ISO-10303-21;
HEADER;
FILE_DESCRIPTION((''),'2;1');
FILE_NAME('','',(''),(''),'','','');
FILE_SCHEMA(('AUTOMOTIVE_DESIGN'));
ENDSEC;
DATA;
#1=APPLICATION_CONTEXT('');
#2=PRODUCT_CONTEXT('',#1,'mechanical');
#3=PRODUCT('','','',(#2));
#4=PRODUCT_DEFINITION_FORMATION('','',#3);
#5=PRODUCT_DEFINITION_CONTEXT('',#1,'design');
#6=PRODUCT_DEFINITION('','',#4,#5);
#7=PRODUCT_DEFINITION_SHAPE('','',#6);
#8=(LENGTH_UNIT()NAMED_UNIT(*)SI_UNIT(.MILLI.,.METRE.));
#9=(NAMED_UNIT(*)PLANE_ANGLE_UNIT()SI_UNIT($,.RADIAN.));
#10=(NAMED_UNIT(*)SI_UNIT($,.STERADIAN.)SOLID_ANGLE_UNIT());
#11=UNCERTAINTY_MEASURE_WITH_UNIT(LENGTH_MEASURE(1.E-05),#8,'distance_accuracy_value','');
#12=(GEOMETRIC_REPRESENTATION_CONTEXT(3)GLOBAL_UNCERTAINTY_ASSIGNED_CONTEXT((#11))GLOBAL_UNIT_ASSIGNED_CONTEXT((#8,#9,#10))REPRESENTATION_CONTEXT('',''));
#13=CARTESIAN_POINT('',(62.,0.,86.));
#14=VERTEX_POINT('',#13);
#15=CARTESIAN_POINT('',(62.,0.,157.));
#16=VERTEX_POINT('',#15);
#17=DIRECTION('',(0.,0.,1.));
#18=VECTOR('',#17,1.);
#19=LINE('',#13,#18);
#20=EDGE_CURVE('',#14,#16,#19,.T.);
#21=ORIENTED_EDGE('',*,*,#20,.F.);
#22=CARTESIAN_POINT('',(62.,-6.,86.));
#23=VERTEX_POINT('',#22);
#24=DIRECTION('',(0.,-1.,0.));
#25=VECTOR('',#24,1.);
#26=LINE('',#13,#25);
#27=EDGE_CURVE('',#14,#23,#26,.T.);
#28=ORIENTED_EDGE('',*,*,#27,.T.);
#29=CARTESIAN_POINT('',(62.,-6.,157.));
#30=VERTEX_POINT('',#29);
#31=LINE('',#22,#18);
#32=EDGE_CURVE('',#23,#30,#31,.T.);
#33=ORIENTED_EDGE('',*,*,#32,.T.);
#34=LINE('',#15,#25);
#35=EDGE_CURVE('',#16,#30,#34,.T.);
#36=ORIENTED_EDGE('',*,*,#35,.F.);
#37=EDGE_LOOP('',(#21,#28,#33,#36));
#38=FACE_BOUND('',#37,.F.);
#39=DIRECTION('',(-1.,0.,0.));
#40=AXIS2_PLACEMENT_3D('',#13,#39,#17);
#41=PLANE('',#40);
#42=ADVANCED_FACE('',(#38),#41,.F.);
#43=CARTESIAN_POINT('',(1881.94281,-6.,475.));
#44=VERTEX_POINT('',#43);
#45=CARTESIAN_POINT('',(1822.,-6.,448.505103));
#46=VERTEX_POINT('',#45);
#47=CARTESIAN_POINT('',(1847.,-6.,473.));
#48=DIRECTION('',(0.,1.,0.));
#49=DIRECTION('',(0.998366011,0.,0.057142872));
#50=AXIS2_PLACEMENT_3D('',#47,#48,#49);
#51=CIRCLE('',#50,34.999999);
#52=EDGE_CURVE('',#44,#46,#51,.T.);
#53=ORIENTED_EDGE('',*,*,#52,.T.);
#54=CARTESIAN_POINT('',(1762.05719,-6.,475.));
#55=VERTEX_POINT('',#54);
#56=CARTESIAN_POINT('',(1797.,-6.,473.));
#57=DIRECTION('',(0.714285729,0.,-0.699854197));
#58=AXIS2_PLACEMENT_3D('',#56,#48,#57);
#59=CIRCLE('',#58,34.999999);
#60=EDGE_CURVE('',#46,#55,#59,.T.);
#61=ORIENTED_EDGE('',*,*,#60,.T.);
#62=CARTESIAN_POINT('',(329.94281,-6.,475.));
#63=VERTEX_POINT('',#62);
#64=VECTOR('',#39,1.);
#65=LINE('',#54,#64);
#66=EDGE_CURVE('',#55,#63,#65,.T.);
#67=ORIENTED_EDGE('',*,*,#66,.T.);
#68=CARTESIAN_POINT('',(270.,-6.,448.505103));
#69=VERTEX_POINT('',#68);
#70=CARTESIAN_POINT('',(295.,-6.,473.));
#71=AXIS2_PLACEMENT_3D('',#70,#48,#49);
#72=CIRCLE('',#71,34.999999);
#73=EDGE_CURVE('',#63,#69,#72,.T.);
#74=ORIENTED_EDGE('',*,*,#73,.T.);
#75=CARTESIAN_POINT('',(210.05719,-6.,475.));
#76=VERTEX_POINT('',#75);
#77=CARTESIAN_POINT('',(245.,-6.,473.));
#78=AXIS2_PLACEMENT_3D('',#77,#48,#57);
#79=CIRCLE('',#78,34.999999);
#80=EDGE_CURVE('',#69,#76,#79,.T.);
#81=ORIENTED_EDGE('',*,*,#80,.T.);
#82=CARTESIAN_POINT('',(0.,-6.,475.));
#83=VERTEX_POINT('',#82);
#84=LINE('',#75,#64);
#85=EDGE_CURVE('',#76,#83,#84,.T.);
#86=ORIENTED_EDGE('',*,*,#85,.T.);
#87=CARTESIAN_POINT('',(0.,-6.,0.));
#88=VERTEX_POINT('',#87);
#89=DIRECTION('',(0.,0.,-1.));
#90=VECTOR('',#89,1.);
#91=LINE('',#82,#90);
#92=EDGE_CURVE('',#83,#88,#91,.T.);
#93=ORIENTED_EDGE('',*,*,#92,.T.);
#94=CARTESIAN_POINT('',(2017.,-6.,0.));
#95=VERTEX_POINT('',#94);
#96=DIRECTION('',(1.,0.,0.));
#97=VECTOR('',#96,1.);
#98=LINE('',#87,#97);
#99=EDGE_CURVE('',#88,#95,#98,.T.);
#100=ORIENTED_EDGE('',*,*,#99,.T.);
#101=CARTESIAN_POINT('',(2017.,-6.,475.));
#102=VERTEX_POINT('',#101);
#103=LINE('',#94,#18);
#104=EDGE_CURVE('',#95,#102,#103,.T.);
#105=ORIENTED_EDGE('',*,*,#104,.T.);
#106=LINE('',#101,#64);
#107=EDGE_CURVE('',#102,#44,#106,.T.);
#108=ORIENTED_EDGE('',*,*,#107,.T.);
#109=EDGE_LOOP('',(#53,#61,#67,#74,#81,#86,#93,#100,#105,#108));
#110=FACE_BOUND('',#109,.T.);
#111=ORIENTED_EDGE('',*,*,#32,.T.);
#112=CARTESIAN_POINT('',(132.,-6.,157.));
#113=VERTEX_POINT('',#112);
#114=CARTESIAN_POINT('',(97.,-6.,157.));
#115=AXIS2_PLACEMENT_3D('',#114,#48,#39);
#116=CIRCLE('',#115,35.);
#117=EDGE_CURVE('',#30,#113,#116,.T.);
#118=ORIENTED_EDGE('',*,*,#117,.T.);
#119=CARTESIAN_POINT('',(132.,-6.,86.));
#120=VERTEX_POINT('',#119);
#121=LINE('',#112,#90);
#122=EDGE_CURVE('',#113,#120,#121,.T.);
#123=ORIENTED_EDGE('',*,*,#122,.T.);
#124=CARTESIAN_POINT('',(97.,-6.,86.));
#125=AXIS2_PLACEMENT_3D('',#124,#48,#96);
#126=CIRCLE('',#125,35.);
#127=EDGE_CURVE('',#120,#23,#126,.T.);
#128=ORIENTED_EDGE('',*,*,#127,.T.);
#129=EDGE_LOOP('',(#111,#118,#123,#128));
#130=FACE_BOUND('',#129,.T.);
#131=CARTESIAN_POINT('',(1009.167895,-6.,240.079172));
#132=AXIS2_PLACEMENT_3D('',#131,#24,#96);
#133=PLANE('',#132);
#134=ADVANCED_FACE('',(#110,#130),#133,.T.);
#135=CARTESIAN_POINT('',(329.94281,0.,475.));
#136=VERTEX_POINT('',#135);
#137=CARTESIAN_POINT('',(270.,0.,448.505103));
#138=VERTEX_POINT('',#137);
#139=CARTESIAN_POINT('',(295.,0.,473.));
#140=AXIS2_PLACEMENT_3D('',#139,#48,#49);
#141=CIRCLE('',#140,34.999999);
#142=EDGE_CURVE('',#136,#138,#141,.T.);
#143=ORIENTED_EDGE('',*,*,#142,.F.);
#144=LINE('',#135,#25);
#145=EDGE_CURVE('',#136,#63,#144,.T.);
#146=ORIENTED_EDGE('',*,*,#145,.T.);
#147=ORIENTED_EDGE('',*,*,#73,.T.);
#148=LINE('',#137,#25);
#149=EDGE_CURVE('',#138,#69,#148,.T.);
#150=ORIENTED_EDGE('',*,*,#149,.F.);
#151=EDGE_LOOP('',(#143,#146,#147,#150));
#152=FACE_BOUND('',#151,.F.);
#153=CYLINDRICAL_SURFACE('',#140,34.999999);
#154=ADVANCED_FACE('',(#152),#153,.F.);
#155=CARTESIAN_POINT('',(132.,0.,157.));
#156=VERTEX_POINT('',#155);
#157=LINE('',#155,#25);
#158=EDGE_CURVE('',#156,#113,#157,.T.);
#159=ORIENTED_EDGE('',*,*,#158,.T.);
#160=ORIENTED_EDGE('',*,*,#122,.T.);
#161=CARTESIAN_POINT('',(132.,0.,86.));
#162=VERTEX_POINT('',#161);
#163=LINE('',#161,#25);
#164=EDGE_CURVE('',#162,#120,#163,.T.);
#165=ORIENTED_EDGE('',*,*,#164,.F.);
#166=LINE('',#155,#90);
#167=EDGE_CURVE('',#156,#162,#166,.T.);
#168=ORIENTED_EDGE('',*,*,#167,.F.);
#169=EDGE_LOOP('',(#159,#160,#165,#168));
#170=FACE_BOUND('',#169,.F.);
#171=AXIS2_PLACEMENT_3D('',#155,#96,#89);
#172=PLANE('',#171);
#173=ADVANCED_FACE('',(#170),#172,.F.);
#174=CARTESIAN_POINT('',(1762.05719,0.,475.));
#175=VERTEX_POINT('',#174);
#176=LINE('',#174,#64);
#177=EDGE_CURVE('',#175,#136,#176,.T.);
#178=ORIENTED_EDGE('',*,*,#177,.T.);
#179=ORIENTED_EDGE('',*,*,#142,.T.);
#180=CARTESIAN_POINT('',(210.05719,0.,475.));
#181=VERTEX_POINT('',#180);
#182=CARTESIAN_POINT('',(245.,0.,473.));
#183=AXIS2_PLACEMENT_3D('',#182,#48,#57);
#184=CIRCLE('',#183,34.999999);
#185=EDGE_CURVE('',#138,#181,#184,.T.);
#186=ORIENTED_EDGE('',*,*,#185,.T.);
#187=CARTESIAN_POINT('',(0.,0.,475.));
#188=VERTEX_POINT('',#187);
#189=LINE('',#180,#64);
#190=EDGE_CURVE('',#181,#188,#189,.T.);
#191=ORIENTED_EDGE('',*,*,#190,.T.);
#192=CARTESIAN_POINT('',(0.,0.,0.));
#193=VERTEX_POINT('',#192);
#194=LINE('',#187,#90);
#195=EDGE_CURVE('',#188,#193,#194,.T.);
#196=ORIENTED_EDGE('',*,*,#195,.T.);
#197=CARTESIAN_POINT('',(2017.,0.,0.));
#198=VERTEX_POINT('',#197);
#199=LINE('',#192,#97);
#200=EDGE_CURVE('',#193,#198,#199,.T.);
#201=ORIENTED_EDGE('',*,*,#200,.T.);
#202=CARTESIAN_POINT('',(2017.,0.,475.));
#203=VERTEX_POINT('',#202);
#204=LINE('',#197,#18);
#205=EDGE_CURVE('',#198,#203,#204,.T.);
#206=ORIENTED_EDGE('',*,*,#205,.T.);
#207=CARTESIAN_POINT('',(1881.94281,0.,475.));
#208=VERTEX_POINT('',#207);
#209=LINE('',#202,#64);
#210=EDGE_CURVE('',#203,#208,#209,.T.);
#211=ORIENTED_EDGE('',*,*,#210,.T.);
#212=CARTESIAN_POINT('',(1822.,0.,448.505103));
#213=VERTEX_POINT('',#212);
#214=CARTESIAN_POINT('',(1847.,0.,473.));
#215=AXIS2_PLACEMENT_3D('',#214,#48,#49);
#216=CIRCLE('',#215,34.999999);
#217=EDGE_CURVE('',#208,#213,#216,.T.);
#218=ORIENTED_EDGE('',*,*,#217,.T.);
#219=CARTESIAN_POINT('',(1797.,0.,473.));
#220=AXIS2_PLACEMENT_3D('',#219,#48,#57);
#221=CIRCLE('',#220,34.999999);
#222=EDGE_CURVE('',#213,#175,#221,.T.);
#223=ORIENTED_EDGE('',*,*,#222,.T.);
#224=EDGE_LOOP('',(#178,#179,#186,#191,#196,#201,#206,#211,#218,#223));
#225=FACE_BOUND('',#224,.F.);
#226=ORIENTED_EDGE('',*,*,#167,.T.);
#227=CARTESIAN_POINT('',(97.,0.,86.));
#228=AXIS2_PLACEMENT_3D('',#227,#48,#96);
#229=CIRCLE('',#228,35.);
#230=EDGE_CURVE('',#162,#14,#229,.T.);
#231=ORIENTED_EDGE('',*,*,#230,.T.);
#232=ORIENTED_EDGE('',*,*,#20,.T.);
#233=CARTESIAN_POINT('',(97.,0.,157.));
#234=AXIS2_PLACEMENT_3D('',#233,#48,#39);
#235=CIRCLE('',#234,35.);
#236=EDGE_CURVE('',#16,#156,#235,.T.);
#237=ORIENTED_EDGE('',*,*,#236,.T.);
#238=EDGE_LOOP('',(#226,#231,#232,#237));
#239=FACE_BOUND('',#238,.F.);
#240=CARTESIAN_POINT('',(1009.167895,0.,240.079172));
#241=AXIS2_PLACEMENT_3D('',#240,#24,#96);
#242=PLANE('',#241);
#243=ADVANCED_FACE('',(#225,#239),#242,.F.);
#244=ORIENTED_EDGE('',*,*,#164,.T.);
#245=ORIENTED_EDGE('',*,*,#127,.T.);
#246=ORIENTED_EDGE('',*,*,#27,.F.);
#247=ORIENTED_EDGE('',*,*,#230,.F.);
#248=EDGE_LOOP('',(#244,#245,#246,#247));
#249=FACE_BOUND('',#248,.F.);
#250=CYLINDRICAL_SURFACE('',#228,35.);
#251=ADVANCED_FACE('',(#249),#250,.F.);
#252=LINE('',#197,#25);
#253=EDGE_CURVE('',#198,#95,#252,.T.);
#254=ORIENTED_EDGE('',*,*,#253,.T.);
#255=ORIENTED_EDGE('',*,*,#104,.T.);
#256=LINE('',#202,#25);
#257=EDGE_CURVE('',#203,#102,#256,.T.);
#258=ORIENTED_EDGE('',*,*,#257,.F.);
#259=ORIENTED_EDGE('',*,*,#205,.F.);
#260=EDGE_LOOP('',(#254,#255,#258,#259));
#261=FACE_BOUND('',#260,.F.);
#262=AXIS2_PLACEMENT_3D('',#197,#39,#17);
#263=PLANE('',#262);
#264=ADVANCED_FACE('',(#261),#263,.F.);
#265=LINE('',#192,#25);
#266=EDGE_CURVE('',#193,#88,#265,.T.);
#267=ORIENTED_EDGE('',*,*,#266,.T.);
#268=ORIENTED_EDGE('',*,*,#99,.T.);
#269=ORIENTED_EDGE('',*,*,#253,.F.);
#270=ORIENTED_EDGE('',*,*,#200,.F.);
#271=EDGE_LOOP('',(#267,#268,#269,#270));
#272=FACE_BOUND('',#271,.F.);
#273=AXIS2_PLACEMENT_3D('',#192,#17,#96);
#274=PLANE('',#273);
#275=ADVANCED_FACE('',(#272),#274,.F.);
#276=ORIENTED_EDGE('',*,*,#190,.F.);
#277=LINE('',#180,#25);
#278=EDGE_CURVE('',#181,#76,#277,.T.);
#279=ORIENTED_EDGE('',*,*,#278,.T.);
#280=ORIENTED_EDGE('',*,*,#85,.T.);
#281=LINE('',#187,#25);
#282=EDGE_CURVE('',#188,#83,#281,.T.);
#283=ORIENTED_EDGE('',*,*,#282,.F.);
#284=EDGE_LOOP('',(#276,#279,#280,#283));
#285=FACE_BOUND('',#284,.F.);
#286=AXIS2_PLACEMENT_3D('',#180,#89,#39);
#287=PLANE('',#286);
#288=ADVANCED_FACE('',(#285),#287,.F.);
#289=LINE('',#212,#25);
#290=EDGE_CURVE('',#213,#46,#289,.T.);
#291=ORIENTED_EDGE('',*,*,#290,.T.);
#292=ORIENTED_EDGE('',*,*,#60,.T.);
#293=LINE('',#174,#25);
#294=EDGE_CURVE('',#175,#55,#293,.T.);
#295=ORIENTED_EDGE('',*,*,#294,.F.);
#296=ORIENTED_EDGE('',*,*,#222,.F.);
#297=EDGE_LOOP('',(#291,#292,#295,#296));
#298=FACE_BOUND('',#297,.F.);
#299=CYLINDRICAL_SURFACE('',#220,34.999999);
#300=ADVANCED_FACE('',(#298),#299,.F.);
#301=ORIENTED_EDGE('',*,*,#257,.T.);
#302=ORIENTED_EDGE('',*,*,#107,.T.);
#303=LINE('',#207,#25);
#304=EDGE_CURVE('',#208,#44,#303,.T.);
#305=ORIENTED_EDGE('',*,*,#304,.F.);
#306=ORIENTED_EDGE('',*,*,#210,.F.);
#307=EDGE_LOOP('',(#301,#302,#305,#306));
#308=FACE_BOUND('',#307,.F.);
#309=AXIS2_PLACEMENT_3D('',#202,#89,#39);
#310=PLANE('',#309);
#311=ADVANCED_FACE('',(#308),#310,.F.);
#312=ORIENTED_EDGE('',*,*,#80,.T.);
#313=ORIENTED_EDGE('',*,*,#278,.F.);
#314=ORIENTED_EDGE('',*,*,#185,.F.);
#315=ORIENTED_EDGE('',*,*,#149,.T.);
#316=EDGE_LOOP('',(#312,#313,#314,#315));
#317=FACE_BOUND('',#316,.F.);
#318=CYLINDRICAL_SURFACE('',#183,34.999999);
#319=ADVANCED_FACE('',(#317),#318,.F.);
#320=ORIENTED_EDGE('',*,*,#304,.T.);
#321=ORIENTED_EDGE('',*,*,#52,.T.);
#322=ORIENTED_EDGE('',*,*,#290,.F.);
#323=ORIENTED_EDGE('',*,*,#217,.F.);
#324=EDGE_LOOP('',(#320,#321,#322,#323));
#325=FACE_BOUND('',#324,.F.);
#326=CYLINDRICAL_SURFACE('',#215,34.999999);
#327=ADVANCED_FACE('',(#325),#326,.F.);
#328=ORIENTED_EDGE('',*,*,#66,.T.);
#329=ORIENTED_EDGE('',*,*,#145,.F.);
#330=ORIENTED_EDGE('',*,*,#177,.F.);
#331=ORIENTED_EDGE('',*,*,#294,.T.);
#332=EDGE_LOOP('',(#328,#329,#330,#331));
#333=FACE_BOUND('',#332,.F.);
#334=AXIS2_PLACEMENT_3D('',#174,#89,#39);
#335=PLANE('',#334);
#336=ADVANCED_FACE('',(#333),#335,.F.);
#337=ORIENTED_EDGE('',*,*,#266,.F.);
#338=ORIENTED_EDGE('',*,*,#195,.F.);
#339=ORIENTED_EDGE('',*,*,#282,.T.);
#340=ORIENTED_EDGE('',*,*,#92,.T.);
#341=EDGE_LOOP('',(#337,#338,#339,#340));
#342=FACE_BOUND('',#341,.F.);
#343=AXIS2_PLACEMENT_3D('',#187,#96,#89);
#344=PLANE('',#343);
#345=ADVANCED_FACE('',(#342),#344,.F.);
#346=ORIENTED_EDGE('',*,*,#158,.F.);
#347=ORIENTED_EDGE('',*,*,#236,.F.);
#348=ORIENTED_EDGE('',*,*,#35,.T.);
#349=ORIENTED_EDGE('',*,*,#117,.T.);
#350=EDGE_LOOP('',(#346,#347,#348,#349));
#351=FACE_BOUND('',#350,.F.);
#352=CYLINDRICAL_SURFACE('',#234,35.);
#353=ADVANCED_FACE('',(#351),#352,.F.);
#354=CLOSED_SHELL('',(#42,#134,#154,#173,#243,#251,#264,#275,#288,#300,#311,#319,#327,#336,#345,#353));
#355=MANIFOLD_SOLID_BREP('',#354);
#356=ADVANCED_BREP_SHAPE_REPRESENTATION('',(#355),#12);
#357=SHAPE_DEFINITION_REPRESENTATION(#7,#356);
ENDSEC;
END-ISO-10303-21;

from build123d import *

# Parameters (mm, degrees)
F1_DEPTH = 6


with BuildPart() as f1:
    # F0 (on Front) → F1 (new body)
    with BuildSketch(Plane.XZ):
        with BuildLine():
            Line((0, 475), (0, 0))
            Line((0, 0), (2017, 0))
            Line((2017, 0), (2017, 475))
            Line((2017, 475), (1881.94281, 475))
            ThreePointArc((1881.94281, 475), (1861.14955, 440.987655), (1822, 448.505103))
            ThreePointArc((1822, 448.505103), (1782.85045, 440.987655), (1762.05719, 475))
            Line((1762.05719, 475), (329.94281, 475))
            ThreePointArc((329.94281, 475), (309.14955, 440.987655), (270, 448.505103))
            ThreePointArc((270, 448.505103), (230.85045, 440.987655), (210.05719, 475))
            Line((210.05719, 475), (0, 475))
        make_face()
        with BuildLine():
            ThreePointArc((62, 157), (97, 192), (132, 157))
            Line((132, 157), (132, 86))
            ThreePointArc((132, 86), (97, 51), (62, 86))
            Line((62, 86), (62, 157))
        make_face(mode=Mode.SUBTRACT)
    extrude(amount=F1_DEPTH)


solid = f1.part
